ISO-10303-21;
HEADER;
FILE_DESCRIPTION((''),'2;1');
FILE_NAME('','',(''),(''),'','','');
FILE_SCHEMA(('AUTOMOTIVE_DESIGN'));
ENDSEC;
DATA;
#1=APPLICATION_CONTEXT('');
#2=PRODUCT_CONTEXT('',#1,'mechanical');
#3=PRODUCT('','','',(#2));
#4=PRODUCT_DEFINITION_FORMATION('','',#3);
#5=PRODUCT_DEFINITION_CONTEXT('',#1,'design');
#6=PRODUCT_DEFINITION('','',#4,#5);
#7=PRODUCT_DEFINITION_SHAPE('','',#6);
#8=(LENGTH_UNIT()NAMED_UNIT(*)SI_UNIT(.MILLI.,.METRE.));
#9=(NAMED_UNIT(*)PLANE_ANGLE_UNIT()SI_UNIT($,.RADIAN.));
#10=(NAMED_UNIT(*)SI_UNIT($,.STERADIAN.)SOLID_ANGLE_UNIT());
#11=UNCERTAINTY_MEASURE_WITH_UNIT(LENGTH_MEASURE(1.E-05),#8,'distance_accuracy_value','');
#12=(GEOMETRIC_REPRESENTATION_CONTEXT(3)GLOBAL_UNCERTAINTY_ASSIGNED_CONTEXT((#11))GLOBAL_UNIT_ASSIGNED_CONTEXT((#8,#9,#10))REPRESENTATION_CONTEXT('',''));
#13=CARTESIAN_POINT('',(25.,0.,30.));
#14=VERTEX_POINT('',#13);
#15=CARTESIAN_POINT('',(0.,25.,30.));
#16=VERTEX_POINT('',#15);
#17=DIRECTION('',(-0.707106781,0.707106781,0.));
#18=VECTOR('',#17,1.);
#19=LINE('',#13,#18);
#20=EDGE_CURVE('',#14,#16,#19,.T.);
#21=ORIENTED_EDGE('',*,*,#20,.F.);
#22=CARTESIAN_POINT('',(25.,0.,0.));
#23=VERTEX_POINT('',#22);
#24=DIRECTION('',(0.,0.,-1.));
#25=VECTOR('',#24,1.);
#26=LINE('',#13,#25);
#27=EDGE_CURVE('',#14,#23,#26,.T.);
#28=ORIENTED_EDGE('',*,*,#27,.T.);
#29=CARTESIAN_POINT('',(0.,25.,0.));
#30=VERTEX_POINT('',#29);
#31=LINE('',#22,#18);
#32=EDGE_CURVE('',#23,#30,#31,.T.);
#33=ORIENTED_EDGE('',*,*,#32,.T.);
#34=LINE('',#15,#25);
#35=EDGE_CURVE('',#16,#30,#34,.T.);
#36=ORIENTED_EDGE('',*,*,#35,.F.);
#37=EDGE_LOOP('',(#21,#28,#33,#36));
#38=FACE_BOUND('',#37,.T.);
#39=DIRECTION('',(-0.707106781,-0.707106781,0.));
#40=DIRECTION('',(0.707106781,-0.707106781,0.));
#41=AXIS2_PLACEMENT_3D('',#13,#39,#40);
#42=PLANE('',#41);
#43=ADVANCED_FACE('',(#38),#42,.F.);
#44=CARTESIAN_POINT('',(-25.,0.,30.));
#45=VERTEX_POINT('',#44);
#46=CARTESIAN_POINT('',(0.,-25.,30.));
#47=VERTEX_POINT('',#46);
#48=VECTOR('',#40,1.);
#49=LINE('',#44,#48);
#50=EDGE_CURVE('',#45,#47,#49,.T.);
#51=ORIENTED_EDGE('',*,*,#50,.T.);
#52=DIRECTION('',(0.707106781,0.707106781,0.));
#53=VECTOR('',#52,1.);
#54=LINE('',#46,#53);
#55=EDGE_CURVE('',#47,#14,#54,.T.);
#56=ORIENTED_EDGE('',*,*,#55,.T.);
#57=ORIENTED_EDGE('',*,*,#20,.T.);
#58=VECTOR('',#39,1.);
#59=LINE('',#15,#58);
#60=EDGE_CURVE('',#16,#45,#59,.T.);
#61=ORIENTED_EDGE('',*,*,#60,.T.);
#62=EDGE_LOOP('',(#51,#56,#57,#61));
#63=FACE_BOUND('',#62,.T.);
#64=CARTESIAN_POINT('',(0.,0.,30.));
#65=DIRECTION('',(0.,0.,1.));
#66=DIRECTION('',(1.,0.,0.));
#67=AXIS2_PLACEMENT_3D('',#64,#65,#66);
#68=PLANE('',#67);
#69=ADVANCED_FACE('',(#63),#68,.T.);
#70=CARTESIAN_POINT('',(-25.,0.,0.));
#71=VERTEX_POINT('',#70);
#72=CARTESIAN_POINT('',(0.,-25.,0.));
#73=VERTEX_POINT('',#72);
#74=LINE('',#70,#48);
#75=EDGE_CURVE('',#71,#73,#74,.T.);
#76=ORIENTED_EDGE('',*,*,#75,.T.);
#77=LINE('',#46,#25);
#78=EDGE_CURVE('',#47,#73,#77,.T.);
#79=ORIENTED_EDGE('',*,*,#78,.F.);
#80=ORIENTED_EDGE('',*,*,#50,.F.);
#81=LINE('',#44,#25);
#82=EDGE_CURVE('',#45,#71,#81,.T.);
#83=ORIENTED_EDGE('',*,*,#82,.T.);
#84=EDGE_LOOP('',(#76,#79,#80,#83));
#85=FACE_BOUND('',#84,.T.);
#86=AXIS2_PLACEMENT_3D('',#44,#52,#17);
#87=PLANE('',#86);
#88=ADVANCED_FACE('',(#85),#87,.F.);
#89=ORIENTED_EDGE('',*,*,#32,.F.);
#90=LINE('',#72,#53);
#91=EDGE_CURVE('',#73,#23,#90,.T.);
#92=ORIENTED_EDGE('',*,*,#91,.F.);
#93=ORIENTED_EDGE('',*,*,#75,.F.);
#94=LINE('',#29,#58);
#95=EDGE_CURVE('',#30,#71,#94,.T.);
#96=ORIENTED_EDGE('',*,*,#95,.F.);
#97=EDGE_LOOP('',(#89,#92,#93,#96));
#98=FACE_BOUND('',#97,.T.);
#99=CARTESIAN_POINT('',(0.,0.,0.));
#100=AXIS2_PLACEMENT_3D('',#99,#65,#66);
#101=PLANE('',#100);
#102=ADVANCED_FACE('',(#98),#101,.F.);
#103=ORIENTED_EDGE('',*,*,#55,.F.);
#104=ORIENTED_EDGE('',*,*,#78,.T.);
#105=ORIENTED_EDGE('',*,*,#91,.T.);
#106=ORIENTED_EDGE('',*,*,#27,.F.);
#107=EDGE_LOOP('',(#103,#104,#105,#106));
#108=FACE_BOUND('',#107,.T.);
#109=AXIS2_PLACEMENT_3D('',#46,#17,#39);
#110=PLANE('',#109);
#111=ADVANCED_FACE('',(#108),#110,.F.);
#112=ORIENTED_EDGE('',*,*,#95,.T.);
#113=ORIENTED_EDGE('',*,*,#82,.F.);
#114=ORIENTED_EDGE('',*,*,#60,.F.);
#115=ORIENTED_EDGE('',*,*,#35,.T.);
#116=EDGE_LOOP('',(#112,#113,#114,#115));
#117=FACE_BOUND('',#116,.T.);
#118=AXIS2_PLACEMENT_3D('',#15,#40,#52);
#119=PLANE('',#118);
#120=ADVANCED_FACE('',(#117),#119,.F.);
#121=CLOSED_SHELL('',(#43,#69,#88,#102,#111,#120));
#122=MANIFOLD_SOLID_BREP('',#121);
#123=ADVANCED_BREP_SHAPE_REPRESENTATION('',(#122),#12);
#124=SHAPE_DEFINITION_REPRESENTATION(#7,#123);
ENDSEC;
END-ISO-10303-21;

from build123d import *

# Parameters (mm, degrees)
ESTRUSIONE_ESTRUSIONE1_DEPTH = 30


with BuildPart() as part:
    # Schizzo1 → Estrusione-Estrusione1 (new body)
    with BuildSketch(Plane.XY):
        Polygon((25, 0), (0, 25), (-25, 0), (0, -25), align=None)
    extrude(amount=ESTRUSIONE_ESTRUSIONE1_DEPTH)


solid = part.part
